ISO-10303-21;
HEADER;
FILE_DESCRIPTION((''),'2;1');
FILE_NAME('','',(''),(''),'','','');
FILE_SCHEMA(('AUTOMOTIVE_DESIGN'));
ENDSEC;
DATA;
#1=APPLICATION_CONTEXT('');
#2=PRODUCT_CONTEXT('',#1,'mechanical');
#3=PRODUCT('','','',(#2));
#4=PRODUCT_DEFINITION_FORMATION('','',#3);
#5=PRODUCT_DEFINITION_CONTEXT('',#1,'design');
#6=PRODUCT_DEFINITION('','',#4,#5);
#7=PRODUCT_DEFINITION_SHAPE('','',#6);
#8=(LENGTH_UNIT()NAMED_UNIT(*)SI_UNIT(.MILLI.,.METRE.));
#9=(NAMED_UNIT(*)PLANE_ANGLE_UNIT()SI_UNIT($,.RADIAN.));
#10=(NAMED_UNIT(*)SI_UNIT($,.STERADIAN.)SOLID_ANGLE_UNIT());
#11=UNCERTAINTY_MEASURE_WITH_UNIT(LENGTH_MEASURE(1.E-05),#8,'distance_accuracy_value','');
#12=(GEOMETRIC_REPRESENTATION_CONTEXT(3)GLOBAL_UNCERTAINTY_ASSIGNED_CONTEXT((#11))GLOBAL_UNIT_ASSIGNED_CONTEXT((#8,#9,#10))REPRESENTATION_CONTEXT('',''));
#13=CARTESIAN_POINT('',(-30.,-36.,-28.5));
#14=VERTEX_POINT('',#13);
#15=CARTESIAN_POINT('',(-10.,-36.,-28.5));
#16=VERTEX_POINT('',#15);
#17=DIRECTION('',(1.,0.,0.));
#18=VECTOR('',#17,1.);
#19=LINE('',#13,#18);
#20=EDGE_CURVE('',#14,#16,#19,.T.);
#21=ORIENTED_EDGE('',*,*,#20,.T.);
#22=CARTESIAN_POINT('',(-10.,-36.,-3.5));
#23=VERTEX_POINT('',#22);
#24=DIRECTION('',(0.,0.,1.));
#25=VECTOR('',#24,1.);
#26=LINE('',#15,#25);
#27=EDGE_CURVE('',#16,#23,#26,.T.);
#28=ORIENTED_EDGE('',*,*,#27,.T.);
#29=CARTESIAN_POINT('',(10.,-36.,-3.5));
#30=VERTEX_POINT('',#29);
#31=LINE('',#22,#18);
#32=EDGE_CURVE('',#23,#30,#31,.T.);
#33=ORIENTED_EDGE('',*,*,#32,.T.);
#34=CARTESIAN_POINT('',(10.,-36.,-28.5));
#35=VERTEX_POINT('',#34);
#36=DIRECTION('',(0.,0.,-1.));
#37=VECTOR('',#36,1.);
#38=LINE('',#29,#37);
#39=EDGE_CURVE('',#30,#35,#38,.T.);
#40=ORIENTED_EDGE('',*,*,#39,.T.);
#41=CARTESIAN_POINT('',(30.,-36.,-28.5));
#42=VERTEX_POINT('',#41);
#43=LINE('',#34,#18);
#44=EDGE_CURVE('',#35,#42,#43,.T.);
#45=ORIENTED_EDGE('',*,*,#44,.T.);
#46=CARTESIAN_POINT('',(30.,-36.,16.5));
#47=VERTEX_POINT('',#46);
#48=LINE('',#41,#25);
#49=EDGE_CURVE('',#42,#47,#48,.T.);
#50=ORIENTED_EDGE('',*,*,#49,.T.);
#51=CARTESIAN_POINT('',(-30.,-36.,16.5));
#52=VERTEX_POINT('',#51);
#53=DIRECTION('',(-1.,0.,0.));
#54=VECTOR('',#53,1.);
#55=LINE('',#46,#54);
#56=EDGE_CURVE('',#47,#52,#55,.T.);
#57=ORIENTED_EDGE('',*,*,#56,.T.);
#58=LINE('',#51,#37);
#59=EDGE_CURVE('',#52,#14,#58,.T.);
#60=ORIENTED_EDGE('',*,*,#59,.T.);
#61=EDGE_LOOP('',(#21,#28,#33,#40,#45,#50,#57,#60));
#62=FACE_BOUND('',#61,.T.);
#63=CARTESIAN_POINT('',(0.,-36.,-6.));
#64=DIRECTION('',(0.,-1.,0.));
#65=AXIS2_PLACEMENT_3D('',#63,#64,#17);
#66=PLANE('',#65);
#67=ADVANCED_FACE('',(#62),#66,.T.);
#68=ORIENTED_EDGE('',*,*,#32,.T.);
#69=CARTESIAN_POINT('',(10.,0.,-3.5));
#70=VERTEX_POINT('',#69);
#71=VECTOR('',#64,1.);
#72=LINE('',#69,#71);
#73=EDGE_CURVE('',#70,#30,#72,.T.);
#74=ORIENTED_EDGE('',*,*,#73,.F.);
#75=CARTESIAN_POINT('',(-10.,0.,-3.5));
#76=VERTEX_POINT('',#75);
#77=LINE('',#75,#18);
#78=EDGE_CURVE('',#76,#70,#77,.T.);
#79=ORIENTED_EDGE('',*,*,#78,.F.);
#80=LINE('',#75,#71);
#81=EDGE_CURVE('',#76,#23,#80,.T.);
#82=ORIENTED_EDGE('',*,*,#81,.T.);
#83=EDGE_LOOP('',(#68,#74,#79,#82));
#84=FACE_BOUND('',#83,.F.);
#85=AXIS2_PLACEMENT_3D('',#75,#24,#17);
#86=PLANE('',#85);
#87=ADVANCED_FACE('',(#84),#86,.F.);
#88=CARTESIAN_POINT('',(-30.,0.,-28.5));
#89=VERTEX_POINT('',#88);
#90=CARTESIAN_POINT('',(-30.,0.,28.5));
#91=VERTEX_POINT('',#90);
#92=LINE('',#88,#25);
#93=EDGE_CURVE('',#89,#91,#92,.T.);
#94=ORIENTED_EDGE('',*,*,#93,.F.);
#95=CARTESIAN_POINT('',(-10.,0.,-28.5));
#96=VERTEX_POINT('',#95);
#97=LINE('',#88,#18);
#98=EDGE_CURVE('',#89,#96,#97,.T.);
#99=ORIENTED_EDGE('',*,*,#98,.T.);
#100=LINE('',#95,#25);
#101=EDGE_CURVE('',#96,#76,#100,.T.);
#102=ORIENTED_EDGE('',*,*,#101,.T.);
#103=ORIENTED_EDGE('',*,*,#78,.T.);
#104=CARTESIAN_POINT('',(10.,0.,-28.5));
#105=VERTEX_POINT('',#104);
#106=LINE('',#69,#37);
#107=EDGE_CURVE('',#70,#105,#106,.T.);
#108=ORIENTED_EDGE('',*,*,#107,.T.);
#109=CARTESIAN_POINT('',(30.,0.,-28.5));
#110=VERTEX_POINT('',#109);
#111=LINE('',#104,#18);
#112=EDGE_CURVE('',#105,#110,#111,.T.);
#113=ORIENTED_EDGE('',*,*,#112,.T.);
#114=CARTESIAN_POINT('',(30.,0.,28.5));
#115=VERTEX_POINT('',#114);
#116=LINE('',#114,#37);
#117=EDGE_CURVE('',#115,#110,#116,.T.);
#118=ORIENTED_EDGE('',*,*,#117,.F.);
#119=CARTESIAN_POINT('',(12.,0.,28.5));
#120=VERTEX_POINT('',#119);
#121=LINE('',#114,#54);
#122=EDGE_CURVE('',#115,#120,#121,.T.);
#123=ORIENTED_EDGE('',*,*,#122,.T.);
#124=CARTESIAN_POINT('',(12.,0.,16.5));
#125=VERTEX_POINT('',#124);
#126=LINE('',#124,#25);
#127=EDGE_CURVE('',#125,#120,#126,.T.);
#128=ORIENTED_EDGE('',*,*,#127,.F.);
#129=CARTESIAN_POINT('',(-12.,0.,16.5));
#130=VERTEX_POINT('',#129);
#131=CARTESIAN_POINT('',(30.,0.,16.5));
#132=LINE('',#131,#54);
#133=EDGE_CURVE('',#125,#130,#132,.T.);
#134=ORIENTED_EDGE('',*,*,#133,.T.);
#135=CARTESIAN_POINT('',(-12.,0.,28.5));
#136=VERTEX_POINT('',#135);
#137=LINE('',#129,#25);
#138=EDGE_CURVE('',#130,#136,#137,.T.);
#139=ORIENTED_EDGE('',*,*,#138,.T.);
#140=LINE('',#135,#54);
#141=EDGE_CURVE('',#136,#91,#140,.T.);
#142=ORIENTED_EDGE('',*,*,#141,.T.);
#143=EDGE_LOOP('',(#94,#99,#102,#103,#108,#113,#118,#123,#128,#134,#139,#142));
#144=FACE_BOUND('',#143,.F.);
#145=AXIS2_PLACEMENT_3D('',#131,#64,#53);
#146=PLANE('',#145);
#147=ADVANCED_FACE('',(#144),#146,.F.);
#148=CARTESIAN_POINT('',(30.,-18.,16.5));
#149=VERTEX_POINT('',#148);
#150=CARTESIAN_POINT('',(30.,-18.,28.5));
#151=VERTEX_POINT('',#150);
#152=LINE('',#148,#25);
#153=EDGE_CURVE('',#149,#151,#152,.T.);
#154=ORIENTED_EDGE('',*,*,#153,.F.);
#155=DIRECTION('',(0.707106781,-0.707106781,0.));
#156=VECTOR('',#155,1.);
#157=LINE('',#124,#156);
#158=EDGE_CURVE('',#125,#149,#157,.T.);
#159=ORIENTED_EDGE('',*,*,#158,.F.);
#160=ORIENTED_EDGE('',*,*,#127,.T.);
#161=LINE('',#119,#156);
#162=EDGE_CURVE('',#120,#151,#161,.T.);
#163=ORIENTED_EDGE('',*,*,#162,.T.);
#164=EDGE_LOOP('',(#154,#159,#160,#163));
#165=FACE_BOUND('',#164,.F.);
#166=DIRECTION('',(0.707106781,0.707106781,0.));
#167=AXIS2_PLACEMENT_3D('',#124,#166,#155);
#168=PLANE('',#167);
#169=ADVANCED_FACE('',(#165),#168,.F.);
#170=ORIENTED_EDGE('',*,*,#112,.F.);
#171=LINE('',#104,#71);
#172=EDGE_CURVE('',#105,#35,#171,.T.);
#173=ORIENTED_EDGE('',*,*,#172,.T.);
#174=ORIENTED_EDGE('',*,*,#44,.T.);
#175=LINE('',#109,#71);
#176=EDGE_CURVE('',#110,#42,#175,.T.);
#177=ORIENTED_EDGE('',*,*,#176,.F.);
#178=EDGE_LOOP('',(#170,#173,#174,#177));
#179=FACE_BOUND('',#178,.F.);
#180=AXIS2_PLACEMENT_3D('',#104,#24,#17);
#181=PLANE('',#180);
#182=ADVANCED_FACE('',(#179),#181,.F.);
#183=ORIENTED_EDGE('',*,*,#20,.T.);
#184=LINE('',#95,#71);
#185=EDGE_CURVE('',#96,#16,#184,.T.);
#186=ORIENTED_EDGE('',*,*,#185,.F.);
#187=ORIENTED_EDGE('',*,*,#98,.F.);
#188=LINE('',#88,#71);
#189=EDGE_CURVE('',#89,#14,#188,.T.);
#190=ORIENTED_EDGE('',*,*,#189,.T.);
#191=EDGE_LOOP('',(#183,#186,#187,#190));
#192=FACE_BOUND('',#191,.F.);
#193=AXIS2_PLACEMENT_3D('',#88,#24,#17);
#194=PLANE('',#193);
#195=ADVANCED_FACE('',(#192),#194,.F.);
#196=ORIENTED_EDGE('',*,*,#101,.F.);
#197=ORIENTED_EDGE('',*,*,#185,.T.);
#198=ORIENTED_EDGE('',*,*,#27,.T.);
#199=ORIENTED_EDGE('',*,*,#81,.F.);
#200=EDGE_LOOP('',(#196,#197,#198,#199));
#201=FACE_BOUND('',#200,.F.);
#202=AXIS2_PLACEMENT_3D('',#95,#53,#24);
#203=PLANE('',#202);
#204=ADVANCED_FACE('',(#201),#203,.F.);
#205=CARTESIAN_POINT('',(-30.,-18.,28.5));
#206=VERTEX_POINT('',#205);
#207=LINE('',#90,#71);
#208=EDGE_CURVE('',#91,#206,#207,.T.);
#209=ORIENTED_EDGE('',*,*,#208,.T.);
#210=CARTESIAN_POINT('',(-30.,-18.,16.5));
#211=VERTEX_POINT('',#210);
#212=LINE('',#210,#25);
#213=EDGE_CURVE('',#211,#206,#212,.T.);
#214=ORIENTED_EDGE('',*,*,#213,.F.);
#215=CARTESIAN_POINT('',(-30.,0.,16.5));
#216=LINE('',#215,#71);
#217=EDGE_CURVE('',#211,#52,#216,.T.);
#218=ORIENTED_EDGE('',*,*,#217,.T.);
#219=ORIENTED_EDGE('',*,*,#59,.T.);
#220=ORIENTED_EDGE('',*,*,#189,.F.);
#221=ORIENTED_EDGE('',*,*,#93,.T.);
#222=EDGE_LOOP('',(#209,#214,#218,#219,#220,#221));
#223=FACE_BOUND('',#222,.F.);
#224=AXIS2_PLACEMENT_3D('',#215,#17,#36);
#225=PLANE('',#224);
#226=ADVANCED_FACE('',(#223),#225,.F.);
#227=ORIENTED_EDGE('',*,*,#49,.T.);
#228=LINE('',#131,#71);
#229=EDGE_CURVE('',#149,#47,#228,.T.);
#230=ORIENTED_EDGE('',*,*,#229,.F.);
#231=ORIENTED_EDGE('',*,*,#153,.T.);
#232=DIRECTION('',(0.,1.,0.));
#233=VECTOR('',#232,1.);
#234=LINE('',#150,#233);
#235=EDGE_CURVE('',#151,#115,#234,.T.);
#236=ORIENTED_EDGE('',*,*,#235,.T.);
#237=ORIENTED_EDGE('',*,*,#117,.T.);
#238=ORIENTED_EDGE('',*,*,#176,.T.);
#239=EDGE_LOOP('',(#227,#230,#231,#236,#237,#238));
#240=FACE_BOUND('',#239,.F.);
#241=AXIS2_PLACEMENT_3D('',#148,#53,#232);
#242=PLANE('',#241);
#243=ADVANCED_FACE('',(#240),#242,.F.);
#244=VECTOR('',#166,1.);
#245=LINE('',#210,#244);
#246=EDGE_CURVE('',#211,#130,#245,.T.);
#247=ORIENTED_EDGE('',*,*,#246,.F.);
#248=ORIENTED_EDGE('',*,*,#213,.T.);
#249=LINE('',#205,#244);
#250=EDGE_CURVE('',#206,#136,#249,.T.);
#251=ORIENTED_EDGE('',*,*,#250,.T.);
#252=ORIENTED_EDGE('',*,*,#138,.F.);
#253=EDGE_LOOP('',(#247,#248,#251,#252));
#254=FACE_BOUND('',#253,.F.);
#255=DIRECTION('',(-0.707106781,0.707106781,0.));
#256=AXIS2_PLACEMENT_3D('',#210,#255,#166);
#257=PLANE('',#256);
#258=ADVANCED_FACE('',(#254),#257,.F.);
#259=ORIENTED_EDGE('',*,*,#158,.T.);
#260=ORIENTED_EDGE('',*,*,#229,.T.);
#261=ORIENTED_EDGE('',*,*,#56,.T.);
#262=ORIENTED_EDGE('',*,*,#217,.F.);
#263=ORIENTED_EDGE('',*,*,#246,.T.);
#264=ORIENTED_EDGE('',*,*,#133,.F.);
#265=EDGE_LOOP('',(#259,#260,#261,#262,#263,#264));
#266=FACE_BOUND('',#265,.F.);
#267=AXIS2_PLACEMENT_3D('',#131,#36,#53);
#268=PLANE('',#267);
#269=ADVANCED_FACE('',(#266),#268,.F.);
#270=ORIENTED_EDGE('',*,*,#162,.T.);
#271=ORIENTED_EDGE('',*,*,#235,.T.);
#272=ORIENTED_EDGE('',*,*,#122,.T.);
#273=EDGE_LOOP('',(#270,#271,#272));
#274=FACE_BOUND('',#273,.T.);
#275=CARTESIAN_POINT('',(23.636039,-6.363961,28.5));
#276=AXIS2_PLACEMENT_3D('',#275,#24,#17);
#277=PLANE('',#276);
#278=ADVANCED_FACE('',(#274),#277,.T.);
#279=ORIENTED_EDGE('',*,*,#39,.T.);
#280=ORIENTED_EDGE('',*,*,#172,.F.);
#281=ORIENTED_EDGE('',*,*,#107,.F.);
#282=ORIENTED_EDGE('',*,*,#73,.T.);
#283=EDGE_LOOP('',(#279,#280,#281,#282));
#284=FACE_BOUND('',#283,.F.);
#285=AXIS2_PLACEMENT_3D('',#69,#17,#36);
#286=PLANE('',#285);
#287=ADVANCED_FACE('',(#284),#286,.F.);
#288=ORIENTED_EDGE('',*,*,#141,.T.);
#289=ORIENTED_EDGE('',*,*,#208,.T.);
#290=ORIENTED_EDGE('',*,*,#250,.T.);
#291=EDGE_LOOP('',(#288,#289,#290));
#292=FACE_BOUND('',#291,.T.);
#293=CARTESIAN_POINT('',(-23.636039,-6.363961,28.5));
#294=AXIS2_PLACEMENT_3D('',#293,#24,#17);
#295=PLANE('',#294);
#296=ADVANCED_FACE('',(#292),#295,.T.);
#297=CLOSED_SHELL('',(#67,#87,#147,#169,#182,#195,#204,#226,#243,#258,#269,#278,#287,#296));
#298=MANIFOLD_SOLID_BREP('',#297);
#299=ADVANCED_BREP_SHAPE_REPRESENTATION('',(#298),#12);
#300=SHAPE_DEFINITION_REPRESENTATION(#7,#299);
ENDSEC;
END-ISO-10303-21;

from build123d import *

# Parameters (mm, degrees)
F1_DEPTH = 36
F3_DEPTH = 12


with BuildPart() as f1:
    # F0 (on Front) → F1 (new body)
    with BuildSketch(Plane.XZ):
        Polygon((30, -28.5), (30, 16.5), (10, 16.5), (-10, 16.5), (-30, 16.5), (-30, -28.5), (-10, -28.5), (-10, -3.5), (10, -3.5), (10, -28.5), align=None)
    extrude(amount=F1_DEPTH)

    # F2 (on face) → F3 (join)
    with BuildSketch(Plane.XY.offset(16.5)):
        Polygon((30, 0), (12, 0), (30, -18), align=None)
        Polygon((-12, 0), (-30, 0), (-30, -18), align=None)
    extrude(amount=F3_DEPTH)


solid = f1.part
